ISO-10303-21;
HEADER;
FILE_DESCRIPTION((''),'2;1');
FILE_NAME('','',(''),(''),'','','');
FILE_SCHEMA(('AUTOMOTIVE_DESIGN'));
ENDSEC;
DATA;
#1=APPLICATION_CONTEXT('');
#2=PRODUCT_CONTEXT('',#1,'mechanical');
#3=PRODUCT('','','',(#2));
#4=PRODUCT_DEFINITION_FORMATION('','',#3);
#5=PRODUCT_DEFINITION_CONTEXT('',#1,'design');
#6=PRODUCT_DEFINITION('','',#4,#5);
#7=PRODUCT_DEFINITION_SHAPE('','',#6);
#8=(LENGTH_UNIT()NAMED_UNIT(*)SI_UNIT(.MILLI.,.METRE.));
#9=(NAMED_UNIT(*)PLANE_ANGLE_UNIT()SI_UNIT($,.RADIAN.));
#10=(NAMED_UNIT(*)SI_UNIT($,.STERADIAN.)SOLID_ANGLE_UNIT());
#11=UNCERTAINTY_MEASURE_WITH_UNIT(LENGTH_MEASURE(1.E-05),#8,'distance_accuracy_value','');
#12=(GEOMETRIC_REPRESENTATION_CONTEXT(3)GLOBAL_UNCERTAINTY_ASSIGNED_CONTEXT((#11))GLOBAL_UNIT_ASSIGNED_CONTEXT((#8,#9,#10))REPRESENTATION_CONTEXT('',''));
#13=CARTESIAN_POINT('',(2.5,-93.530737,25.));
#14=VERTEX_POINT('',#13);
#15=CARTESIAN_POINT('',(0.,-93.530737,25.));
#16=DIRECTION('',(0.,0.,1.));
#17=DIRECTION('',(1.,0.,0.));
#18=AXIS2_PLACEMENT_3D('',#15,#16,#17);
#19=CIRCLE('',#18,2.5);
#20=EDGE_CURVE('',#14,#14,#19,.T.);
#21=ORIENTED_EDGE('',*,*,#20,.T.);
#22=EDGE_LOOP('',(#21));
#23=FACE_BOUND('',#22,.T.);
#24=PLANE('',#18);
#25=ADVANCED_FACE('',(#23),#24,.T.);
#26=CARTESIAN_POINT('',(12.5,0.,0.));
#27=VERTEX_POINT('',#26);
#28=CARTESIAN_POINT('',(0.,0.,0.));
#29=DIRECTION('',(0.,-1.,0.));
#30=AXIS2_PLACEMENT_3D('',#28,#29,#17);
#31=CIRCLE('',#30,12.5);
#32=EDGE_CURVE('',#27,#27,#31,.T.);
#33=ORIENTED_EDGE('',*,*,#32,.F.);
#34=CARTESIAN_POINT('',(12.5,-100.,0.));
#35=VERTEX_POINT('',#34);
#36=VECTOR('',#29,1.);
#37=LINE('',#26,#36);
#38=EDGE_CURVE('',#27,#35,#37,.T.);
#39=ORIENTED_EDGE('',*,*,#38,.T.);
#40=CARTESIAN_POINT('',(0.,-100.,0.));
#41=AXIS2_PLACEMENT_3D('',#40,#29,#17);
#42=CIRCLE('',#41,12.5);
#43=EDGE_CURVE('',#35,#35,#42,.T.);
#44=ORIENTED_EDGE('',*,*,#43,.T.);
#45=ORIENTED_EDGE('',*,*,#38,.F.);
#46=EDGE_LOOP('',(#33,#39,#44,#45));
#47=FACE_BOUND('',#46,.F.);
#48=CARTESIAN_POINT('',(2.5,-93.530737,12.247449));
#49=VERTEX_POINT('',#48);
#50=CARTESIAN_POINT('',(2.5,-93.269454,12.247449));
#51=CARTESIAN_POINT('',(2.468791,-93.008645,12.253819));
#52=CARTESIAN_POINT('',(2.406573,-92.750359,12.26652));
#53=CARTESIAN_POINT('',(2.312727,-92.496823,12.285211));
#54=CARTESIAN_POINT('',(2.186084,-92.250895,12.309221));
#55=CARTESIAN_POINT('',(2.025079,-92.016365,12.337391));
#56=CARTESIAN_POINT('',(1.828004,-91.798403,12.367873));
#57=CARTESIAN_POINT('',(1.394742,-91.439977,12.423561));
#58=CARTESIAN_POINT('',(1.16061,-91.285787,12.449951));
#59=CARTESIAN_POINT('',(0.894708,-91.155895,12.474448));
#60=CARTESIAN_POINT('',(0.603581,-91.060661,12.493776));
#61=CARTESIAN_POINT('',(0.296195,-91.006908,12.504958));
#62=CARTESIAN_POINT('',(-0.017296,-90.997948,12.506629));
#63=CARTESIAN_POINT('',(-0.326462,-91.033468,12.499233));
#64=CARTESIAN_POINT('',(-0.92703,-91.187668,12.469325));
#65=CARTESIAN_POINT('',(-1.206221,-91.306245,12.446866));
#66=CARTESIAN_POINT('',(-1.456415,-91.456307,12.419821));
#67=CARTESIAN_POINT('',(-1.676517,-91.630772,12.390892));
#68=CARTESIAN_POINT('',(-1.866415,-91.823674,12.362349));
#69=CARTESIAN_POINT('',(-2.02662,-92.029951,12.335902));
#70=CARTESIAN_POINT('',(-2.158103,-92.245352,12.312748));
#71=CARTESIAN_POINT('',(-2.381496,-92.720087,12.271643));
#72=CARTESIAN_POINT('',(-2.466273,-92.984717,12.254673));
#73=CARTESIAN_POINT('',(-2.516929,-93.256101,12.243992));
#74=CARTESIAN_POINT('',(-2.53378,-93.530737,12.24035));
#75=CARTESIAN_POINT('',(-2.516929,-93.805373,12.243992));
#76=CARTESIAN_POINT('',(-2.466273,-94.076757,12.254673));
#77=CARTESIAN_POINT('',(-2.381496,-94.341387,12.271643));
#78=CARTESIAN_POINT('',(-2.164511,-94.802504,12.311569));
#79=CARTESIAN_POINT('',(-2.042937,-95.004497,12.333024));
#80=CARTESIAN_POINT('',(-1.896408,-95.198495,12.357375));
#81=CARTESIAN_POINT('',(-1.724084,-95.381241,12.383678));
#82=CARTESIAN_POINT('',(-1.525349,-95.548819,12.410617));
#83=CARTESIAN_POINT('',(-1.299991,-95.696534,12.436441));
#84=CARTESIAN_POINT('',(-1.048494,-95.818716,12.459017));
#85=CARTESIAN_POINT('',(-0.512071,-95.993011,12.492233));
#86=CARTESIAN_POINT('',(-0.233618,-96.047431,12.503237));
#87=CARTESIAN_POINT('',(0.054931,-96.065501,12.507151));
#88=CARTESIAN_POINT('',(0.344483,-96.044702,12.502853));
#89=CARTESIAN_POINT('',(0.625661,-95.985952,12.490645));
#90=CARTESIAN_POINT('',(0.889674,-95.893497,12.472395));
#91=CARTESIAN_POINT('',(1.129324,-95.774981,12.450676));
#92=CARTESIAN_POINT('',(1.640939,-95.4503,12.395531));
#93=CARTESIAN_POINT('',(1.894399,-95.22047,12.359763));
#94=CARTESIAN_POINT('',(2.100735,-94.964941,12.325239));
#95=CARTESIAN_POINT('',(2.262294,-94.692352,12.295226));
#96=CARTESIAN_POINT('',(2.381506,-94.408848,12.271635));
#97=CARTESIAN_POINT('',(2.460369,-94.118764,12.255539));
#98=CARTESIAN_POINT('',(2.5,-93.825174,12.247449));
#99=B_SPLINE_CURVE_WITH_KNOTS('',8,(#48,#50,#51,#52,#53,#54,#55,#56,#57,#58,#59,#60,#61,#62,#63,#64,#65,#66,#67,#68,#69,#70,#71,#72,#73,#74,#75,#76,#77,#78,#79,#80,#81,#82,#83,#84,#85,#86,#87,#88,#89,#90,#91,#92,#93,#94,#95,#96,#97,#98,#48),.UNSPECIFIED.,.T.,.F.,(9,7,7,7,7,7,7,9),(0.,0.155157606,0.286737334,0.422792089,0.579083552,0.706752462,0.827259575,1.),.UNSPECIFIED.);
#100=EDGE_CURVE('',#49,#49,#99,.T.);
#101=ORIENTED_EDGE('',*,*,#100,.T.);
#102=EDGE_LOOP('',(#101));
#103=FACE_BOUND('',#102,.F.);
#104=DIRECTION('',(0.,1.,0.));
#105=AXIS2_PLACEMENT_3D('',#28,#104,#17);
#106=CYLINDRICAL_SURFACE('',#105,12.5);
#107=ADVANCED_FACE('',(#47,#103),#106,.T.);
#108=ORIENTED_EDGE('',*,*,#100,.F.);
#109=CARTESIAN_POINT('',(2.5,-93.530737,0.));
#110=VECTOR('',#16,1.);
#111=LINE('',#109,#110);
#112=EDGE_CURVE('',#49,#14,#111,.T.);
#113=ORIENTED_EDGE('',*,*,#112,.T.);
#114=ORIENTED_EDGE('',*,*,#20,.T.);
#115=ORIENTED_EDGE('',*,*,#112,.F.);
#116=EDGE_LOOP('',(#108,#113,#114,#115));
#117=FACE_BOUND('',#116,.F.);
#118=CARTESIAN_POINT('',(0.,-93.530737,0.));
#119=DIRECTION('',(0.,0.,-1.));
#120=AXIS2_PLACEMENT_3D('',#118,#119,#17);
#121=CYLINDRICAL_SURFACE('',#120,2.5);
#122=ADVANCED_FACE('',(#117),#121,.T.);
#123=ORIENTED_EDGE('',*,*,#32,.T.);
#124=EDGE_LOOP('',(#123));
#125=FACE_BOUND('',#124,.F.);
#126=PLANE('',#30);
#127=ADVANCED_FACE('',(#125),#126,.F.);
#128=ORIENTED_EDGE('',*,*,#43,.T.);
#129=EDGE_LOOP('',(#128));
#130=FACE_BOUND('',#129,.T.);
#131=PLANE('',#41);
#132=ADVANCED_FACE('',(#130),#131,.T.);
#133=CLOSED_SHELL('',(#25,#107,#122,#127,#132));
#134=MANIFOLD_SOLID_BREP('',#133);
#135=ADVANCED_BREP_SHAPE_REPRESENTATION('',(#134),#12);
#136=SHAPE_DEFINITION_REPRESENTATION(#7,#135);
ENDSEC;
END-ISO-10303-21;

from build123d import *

# Parameters (mm, degrees)
F0_R     = 12.5
F1_DEPTH = 100
F2_R     = 2.5
F3_DEPTH = 25


with BuildPart() as f1:
    # F0 (on Front) → F1 (new body)
    with BuildSketch(Plane.XZ):
        Circle(F0_R)
    extrude(amount=F1_DEPTH)

    # F2 (on Top) → F3 (join)
    with BuildSketch(Plane.XY):
        with Locations((0, -93.530737)):
            Circle(F2_R)
    extrude(amount=F3_DEPTH)


solid = f1.part
